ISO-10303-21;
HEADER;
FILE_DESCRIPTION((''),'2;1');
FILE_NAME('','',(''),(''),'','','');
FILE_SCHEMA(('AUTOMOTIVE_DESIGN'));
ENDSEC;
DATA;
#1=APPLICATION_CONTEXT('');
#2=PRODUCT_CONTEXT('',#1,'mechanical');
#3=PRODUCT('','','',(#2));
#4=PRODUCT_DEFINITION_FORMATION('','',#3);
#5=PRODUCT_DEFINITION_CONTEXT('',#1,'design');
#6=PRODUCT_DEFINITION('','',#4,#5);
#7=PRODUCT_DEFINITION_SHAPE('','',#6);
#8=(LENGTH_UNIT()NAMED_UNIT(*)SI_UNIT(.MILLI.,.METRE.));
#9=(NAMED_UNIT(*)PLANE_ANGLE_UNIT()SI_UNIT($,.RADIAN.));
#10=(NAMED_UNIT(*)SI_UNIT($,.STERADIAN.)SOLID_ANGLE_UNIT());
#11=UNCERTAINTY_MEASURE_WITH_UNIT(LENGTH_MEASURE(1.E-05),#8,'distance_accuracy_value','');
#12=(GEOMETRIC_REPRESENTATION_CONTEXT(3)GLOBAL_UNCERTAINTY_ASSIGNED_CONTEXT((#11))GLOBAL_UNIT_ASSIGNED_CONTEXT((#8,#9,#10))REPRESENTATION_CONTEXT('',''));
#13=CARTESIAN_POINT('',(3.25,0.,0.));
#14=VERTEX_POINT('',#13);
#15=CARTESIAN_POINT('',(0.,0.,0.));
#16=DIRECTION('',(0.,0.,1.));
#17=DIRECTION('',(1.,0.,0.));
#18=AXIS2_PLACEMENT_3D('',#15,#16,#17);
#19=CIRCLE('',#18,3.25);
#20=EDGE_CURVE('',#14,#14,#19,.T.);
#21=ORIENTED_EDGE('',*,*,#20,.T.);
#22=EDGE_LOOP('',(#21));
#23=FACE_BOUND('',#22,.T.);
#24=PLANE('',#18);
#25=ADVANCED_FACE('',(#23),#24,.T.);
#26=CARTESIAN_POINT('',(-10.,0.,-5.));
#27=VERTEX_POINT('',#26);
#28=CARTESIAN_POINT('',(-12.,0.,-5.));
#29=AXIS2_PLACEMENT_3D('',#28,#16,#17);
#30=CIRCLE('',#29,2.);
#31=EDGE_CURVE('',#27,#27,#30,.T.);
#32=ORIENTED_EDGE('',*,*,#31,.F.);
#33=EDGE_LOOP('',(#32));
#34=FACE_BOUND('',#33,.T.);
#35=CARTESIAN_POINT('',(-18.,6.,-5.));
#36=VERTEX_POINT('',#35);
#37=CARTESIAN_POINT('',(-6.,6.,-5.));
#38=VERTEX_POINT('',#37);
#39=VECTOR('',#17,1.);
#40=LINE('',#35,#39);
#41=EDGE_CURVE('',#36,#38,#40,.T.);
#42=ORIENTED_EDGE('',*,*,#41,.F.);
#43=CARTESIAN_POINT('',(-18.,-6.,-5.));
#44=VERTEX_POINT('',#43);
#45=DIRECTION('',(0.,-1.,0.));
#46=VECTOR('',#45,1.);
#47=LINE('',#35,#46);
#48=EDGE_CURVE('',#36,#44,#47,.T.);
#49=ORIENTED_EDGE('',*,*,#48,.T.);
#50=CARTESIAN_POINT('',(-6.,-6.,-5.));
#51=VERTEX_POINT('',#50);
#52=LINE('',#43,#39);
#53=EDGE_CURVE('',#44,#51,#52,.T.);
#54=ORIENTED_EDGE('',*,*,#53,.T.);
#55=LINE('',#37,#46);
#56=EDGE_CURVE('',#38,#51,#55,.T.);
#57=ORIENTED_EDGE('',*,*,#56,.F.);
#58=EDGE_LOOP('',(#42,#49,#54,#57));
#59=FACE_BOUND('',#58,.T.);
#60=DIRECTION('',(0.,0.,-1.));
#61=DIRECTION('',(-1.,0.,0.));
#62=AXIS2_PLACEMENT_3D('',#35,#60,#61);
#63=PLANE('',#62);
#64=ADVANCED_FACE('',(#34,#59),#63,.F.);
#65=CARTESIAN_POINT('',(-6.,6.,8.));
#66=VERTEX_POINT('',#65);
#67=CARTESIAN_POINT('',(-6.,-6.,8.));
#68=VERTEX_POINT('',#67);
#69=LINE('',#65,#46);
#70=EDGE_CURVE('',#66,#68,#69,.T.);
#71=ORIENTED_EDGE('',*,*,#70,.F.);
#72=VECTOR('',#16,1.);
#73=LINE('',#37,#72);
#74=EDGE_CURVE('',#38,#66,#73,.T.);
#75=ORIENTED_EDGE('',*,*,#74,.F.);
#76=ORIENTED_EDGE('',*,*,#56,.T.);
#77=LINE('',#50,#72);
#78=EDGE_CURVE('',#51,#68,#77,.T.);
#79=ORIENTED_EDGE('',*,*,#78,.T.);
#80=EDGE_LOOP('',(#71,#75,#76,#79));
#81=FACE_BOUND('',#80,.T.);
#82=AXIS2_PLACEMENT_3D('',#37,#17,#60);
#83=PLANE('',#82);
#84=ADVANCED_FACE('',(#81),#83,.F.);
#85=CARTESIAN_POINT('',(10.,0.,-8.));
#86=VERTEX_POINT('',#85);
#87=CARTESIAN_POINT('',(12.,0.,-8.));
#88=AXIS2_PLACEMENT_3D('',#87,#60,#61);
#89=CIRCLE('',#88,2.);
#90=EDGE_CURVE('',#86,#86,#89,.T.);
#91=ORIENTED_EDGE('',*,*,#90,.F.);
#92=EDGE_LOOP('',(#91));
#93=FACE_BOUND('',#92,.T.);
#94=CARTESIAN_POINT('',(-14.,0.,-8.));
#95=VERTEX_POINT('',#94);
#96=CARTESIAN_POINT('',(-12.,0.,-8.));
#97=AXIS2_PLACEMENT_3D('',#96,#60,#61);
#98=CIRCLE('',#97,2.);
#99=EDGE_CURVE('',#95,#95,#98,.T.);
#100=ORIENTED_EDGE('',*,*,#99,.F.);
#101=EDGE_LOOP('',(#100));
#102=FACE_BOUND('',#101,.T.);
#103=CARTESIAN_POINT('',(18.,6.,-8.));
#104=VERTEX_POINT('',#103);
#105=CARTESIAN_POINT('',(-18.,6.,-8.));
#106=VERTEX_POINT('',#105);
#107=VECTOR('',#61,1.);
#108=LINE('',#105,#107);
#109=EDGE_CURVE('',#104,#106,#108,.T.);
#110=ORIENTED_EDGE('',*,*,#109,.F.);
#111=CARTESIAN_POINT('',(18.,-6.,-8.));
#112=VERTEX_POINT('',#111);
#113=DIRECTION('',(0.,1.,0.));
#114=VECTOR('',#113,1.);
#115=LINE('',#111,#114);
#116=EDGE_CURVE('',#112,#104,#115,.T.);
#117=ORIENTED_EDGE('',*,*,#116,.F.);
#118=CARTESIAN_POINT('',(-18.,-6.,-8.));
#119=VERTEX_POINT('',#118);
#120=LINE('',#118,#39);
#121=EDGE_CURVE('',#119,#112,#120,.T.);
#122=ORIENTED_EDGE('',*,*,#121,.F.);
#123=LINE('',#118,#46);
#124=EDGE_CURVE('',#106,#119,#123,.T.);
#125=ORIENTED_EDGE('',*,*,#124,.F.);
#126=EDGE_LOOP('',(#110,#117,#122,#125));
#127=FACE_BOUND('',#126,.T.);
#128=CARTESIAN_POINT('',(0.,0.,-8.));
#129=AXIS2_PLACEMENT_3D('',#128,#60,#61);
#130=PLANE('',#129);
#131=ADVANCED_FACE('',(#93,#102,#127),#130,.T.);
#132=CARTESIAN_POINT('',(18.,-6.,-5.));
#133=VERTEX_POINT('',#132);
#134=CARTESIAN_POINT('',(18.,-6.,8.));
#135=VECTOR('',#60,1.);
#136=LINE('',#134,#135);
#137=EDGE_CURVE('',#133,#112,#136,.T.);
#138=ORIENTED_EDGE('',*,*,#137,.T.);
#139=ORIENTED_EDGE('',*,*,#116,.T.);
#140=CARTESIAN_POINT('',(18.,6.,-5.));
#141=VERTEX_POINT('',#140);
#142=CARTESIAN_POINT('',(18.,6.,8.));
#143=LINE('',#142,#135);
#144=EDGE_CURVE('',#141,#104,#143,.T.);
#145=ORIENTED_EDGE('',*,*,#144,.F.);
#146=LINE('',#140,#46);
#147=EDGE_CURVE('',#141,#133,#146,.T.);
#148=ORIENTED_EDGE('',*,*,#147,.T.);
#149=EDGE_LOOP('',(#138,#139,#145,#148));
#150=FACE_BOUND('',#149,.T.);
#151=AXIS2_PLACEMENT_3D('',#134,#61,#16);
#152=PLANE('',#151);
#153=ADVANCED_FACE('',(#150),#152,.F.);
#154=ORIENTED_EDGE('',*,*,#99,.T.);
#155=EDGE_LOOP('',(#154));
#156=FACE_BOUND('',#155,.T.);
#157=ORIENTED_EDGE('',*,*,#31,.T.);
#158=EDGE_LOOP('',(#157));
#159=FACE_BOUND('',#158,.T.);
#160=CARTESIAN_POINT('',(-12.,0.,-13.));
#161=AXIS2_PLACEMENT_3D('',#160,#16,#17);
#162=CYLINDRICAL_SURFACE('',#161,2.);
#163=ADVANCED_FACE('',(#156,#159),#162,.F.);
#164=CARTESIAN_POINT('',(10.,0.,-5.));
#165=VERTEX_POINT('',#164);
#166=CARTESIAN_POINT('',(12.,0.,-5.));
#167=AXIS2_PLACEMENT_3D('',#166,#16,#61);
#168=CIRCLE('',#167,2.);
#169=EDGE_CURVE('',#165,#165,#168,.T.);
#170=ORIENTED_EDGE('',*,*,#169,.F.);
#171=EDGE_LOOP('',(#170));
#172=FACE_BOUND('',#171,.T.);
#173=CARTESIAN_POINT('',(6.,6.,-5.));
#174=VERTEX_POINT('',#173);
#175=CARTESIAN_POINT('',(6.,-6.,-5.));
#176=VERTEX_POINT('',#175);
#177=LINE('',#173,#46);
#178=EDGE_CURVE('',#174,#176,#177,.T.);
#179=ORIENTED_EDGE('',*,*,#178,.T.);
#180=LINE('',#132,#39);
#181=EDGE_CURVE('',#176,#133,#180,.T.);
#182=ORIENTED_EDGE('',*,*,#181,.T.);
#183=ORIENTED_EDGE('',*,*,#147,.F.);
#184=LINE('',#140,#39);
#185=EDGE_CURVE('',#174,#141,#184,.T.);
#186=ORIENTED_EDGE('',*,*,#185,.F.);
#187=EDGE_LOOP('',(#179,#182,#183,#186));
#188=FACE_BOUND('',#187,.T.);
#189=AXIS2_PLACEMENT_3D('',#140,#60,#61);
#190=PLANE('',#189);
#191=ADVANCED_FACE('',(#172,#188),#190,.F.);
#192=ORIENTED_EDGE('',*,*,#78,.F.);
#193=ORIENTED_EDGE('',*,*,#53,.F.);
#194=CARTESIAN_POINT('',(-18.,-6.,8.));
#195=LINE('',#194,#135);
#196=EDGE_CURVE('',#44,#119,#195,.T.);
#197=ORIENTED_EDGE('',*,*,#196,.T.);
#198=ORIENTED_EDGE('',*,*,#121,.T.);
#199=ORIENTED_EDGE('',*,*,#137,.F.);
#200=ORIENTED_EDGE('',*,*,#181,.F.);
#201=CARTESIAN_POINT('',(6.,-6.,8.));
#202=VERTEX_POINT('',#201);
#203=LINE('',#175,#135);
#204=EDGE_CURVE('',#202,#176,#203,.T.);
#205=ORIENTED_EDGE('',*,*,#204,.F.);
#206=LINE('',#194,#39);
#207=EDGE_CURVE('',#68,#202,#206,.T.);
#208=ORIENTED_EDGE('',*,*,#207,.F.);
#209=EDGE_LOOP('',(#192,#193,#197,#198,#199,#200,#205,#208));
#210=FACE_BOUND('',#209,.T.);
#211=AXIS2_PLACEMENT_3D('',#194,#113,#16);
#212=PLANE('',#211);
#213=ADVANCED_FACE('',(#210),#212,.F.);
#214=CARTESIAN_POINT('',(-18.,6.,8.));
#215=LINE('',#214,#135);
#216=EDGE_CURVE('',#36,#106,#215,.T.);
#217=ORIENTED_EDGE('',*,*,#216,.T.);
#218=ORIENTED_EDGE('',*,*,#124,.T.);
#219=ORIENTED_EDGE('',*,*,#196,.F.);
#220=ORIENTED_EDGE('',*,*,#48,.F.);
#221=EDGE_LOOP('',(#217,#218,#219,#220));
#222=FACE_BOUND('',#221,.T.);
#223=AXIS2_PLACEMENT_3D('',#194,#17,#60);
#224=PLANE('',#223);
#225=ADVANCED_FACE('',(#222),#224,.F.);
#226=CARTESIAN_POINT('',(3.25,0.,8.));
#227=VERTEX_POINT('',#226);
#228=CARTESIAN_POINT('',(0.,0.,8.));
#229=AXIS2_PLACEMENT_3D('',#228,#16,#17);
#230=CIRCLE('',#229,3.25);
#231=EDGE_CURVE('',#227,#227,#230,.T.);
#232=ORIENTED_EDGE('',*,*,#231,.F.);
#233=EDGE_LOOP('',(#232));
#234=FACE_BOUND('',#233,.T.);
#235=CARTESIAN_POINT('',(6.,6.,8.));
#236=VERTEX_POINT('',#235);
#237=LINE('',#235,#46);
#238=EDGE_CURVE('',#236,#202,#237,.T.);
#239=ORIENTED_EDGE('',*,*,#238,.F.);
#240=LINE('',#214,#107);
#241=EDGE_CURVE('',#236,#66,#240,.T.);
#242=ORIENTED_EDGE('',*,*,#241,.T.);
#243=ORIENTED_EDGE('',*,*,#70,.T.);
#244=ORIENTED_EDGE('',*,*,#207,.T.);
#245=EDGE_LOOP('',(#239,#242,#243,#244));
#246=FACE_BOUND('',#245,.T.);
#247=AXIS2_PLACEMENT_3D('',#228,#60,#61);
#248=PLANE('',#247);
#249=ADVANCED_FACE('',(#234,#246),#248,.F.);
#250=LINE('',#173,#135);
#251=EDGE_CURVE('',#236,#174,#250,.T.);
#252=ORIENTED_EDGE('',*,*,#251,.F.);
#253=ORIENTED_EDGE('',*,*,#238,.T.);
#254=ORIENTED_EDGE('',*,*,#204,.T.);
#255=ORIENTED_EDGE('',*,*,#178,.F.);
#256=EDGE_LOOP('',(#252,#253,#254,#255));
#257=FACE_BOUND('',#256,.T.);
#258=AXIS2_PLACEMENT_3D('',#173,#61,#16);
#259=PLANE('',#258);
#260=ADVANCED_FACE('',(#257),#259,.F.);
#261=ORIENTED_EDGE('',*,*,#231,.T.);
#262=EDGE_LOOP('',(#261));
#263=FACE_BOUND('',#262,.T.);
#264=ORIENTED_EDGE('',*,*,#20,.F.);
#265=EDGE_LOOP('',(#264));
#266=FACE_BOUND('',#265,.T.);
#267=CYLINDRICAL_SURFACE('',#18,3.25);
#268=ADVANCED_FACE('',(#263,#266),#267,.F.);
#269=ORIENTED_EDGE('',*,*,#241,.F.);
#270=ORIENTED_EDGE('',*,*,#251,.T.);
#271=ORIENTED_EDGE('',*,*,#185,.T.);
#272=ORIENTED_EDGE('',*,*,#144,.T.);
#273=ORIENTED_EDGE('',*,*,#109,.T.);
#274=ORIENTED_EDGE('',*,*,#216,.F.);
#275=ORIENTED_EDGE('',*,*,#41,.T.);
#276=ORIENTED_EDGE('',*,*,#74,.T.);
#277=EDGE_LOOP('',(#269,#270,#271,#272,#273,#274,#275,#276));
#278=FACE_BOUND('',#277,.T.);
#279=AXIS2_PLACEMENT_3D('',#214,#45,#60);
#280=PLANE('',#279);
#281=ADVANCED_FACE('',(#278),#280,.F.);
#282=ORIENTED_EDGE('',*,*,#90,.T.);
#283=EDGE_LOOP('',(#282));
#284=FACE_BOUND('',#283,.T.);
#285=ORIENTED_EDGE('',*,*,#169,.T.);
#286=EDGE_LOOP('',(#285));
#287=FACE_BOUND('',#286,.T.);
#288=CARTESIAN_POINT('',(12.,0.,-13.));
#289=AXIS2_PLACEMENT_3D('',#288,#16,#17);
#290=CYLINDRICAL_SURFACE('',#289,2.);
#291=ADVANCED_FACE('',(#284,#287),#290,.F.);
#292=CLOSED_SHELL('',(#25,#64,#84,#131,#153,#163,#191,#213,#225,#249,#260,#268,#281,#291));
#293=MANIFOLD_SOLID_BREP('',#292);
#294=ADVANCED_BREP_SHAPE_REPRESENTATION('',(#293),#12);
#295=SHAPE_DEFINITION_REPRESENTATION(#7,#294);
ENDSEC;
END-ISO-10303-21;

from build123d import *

# Parameters (mm, degrees)
CROQUIS1_W              = 36
CROQUIS1_H              = 12
SALIENTE_EXTRUIR1_DEPTH = 8
CROQUIS2_R              = 3.25
CORTAR_EXTRUIR1_DEPTH   = 8
CROQUIS3_W              = 12
CROQUIS3_H              = 13
CORTAR_EXTRUIR2_DEPTH   = 24.065125189
CROQUIS4_R              = 2
CORTAR_EXTRUIR3_DEPTH   = 8


with BuildPart() as part:
    # Croquis1 → Saliente-Extruir1 (new, symmetric)
    with BuildSketch(Plane.XY):
        Rectangle(CROQUIS1_W, CROQUIS1_H)
    extrude(amount=SALIENTE_EXTRUIR1_DEPTH, both=True)

    # Croquis2 → Cortar-Extruir1 (cut)
    with BuildSketch(Plane.XY.offset(8)):
        Circle(CROQUIS2_R)
    extrude(amount=-CORTAR_EXTRUIR1_DEPTH, mode=Mode.SUBTRACT)

    # Croquis3 → Cortar-Extruir2 (cut, through all)
    with BuildSketch(Plane.XZ.offset(6)):
        with Locations((-12, 1.5)):
            Rectangle(CROQUIS3_W, CROQUIS3_H)
        with Locations((12, 1.5)):
            Rectangle(CROQUIS3_W, CROQUIS3_H)
    extrude(amount=-CORTAR_EXTRUIR2_DEPTH, mode=Mode.SUBTRACT)

    # Croquis4 → Cortar-Extruir3 (cut)
    with BuildSketch(Plane.XY.offset(-5)):
        with Locations((-12, 0)):
            Circle(CROQUIS4_R)
        with Locations(Location((12, 0, 0), (0, 0, 180))):
            Circle(CROQUIS4_R)
    extrude(amount=-CORTAR_EXTRUIR3_DEPTH, mode=Mode.SUBTRACT)


solid = part.part
